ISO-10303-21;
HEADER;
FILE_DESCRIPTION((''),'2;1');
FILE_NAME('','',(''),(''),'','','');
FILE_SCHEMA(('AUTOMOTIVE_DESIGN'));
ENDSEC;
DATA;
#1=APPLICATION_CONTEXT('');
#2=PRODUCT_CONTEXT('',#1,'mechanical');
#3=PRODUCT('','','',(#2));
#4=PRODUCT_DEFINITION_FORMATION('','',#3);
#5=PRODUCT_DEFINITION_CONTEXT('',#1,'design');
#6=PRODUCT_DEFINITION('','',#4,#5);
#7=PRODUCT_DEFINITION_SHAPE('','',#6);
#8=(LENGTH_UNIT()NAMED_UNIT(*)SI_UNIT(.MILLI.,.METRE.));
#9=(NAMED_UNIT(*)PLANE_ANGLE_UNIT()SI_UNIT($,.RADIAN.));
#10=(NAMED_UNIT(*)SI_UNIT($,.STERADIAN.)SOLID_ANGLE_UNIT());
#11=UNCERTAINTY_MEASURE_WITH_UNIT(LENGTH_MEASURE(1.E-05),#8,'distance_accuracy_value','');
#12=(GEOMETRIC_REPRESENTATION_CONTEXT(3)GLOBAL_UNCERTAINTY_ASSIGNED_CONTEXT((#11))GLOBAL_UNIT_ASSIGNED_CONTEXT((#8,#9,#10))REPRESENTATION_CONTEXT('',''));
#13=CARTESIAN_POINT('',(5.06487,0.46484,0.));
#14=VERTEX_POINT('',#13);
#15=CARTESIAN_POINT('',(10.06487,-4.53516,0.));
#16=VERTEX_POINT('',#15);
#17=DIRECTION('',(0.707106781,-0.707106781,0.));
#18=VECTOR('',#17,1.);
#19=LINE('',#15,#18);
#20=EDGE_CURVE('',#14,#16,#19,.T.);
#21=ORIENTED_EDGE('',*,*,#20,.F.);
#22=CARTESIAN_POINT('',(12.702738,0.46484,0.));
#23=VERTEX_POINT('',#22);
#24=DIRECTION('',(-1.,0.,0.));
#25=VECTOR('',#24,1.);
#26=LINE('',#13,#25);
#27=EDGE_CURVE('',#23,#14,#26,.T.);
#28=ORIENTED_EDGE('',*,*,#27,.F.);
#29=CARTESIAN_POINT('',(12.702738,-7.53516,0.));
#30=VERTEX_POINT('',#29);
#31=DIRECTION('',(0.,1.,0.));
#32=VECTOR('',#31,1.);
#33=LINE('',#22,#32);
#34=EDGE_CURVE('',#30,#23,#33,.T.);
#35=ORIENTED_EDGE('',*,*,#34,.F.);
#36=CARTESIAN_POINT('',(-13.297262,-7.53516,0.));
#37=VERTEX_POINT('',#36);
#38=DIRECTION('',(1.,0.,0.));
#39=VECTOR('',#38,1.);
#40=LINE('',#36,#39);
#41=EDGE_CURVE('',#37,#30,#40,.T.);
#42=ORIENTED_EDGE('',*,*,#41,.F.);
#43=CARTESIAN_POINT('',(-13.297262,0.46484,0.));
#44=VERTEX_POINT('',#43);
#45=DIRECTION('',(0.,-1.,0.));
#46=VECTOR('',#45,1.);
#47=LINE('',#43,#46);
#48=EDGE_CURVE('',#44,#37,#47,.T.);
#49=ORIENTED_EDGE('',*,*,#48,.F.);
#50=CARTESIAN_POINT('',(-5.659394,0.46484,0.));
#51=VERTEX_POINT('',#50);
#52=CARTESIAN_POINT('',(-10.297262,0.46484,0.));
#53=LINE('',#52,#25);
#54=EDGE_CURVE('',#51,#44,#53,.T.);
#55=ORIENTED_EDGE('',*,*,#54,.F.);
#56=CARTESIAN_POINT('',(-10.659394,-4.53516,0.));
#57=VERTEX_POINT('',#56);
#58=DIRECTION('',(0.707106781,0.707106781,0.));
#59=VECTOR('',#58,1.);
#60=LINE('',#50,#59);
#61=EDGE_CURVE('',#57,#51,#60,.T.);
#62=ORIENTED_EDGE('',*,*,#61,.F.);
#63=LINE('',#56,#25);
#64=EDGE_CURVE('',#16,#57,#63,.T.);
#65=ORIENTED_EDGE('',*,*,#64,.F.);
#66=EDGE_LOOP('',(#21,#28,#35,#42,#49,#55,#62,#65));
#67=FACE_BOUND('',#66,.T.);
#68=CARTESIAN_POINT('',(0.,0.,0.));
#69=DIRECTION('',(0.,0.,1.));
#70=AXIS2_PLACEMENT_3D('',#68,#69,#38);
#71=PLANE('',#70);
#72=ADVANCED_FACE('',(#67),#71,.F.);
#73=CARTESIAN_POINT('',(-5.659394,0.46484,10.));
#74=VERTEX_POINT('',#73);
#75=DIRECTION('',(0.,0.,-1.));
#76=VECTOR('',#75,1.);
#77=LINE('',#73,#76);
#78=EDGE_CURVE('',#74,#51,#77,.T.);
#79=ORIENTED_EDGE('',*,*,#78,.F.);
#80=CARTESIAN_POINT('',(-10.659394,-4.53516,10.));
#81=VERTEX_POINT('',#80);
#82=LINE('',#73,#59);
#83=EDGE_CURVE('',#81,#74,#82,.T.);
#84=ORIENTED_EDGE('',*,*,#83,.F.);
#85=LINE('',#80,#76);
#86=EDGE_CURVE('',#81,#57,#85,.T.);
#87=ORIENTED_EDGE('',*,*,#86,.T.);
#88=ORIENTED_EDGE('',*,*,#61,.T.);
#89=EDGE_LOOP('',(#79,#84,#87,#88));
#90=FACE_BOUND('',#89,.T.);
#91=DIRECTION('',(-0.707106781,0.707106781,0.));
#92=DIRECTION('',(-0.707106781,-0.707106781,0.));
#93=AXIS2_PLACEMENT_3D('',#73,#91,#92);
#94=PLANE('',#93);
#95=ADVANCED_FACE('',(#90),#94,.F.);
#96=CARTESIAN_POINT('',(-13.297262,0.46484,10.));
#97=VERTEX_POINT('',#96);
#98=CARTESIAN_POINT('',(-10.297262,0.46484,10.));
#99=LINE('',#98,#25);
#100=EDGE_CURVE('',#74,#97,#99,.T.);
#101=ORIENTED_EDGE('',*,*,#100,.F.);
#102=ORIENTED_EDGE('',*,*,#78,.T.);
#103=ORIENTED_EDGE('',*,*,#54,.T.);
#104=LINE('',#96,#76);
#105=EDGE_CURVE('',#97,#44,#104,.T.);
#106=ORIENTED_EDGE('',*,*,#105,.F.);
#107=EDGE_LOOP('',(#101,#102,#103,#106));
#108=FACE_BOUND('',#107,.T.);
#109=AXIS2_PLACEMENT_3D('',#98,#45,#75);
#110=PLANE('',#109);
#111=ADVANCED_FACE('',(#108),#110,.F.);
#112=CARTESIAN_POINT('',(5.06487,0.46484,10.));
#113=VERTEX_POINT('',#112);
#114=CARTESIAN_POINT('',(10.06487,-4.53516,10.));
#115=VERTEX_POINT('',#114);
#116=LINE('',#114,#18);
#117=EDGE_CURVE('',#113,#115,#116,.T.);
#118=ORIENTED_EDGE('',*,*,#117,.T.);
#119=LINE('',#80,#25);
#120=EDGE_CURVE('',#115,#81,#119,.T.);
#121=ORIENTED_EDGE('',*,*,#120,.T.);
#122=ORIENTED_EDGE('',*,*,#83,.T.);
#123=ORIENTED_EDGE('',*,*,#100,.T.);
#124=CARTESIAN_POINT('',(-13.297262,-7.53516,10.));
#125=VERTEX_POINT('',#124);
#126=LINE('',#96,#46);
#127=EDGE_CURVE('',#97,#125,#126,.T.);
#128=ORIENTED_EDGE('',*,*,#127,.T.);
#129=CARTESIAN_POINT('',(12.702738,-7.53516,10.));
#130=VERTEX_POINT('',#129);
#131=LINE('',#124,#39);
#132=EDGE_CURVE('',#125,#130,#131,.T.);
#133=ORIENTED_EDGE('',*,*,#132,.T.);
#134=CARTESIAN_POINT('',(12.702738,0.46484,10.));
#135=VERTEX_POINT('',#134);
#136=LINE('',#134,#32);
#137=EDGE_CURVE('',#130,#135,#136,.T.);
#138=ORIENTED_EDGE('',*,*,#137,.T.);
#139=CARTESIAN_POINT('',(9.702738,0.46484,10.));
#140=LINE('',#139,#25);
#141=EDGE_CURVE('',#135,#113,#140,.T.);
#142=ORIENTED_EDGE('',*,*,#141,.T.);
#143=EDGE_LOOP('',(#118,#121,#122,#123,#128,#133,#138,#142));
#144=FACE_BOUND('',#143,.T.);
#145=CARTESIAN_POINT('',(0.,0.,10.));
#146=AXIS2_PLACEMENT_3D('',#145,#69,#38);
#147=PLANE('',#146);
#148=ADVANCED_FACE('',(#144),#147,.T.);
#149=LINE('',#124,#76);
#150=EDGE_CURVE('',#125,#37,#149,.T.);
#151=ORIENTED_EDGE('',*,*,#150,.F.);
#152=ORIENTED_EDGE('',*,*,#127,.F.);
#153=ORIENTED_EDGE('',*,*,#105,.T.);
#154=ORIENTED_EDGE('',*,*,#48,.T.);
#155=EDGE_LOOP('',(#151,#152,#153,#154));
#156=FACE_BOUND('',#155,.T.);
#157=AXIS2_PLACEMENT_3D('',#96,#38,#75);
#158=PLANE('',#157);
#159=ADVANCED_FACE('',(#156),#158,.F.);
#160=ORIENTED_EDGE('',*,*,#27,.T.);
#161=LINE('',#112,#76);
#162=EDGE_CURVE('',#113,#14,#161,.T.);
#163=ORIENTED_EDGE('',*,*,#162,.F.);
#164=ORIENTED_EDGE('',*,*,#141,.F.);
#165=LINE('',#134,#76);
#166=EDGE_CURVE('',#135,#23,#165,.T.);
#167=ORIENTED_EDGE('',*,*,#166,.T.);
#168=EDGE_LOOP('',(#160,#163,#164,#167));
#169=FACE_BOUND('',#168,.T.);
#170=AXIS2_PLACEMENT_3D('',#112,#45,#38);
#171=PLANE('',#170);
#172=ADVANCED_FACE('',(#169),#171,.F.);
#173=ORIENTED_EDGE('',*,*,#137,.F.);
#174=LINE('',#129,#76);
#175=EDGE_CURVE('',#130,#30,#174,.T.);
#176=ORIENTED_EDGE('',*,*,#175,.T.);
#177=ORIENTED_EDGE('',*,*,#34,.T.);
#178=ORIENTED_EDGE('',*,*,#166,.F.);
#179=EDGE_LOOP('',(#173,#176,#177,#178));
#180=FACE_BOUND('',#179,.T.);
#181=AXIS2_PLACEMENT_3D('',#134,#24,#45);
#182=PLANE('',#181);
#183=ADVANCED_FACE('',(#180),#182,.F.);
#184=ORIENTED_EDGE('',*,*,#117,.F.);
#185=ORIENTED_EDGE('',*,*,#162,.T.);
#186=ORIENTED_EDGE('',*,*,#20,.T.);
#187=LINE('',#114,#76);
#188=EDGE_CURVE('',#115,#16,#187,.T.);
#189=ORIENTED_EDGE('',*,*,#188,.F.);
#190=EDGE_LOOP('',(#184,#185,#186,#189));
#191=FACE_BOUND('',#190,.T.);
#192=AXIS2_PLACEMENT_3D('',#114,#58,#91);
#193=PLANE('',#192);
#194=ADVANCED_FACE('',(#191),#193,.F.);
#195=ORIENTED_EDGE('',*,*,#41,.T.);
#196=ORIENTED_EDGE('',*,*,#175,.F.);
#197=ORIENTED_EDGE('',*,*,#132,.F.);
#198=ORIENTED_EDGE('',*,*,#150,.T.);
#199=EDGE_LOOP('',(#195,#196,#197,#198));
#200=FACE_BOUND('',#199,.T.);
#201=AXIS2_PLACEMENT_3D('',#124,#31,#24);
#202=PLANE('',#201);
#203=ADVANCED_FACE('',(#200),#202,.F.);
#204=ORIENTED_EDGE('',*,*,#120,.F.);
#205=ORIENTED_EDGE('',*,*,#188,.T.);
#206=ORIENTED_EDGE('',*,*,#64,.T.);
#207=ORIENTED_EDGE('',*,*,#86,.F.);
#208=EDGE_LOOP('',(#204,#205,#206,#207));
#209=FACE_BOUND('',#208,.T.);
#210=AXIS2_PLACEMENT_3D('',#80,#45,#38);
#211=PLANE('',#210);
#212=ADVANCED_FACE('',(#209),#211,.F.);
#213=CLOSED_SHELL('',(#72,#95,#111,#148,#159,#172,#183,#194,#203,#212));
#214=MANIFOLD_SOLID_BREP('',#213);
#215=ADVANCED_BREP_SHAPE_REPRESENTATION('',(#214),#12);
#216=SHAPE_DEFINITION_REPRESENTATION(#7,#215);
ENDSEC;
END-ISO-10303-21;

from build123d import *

# Parameters (mm, degrees)
SALIENTE_EXTRUIR1_DEPTH = 10


with BuildPart() as part:
    # Croquis1 → Saliente-Extruir1 (new body)
    with BuildSketch(Plane.XY):
        Polygon((-10.297261842, 0.464840426), (-5.659393877, 0.464840426), (-10.659393877, -4.535159574), (10.064870192, -4.535159574), (5.064870192, 0.464840426), (9.702738158, 0.464840426), (12.702738158, 0.464840426), (12.702738158, -7.535159574), (-13.297261842, -7.535159574), (-13.297261842, 0.464840426), align=None)
    extrude(amount=SALIENTE_EXTRUIR1_DEPTH)


solid = part.part
